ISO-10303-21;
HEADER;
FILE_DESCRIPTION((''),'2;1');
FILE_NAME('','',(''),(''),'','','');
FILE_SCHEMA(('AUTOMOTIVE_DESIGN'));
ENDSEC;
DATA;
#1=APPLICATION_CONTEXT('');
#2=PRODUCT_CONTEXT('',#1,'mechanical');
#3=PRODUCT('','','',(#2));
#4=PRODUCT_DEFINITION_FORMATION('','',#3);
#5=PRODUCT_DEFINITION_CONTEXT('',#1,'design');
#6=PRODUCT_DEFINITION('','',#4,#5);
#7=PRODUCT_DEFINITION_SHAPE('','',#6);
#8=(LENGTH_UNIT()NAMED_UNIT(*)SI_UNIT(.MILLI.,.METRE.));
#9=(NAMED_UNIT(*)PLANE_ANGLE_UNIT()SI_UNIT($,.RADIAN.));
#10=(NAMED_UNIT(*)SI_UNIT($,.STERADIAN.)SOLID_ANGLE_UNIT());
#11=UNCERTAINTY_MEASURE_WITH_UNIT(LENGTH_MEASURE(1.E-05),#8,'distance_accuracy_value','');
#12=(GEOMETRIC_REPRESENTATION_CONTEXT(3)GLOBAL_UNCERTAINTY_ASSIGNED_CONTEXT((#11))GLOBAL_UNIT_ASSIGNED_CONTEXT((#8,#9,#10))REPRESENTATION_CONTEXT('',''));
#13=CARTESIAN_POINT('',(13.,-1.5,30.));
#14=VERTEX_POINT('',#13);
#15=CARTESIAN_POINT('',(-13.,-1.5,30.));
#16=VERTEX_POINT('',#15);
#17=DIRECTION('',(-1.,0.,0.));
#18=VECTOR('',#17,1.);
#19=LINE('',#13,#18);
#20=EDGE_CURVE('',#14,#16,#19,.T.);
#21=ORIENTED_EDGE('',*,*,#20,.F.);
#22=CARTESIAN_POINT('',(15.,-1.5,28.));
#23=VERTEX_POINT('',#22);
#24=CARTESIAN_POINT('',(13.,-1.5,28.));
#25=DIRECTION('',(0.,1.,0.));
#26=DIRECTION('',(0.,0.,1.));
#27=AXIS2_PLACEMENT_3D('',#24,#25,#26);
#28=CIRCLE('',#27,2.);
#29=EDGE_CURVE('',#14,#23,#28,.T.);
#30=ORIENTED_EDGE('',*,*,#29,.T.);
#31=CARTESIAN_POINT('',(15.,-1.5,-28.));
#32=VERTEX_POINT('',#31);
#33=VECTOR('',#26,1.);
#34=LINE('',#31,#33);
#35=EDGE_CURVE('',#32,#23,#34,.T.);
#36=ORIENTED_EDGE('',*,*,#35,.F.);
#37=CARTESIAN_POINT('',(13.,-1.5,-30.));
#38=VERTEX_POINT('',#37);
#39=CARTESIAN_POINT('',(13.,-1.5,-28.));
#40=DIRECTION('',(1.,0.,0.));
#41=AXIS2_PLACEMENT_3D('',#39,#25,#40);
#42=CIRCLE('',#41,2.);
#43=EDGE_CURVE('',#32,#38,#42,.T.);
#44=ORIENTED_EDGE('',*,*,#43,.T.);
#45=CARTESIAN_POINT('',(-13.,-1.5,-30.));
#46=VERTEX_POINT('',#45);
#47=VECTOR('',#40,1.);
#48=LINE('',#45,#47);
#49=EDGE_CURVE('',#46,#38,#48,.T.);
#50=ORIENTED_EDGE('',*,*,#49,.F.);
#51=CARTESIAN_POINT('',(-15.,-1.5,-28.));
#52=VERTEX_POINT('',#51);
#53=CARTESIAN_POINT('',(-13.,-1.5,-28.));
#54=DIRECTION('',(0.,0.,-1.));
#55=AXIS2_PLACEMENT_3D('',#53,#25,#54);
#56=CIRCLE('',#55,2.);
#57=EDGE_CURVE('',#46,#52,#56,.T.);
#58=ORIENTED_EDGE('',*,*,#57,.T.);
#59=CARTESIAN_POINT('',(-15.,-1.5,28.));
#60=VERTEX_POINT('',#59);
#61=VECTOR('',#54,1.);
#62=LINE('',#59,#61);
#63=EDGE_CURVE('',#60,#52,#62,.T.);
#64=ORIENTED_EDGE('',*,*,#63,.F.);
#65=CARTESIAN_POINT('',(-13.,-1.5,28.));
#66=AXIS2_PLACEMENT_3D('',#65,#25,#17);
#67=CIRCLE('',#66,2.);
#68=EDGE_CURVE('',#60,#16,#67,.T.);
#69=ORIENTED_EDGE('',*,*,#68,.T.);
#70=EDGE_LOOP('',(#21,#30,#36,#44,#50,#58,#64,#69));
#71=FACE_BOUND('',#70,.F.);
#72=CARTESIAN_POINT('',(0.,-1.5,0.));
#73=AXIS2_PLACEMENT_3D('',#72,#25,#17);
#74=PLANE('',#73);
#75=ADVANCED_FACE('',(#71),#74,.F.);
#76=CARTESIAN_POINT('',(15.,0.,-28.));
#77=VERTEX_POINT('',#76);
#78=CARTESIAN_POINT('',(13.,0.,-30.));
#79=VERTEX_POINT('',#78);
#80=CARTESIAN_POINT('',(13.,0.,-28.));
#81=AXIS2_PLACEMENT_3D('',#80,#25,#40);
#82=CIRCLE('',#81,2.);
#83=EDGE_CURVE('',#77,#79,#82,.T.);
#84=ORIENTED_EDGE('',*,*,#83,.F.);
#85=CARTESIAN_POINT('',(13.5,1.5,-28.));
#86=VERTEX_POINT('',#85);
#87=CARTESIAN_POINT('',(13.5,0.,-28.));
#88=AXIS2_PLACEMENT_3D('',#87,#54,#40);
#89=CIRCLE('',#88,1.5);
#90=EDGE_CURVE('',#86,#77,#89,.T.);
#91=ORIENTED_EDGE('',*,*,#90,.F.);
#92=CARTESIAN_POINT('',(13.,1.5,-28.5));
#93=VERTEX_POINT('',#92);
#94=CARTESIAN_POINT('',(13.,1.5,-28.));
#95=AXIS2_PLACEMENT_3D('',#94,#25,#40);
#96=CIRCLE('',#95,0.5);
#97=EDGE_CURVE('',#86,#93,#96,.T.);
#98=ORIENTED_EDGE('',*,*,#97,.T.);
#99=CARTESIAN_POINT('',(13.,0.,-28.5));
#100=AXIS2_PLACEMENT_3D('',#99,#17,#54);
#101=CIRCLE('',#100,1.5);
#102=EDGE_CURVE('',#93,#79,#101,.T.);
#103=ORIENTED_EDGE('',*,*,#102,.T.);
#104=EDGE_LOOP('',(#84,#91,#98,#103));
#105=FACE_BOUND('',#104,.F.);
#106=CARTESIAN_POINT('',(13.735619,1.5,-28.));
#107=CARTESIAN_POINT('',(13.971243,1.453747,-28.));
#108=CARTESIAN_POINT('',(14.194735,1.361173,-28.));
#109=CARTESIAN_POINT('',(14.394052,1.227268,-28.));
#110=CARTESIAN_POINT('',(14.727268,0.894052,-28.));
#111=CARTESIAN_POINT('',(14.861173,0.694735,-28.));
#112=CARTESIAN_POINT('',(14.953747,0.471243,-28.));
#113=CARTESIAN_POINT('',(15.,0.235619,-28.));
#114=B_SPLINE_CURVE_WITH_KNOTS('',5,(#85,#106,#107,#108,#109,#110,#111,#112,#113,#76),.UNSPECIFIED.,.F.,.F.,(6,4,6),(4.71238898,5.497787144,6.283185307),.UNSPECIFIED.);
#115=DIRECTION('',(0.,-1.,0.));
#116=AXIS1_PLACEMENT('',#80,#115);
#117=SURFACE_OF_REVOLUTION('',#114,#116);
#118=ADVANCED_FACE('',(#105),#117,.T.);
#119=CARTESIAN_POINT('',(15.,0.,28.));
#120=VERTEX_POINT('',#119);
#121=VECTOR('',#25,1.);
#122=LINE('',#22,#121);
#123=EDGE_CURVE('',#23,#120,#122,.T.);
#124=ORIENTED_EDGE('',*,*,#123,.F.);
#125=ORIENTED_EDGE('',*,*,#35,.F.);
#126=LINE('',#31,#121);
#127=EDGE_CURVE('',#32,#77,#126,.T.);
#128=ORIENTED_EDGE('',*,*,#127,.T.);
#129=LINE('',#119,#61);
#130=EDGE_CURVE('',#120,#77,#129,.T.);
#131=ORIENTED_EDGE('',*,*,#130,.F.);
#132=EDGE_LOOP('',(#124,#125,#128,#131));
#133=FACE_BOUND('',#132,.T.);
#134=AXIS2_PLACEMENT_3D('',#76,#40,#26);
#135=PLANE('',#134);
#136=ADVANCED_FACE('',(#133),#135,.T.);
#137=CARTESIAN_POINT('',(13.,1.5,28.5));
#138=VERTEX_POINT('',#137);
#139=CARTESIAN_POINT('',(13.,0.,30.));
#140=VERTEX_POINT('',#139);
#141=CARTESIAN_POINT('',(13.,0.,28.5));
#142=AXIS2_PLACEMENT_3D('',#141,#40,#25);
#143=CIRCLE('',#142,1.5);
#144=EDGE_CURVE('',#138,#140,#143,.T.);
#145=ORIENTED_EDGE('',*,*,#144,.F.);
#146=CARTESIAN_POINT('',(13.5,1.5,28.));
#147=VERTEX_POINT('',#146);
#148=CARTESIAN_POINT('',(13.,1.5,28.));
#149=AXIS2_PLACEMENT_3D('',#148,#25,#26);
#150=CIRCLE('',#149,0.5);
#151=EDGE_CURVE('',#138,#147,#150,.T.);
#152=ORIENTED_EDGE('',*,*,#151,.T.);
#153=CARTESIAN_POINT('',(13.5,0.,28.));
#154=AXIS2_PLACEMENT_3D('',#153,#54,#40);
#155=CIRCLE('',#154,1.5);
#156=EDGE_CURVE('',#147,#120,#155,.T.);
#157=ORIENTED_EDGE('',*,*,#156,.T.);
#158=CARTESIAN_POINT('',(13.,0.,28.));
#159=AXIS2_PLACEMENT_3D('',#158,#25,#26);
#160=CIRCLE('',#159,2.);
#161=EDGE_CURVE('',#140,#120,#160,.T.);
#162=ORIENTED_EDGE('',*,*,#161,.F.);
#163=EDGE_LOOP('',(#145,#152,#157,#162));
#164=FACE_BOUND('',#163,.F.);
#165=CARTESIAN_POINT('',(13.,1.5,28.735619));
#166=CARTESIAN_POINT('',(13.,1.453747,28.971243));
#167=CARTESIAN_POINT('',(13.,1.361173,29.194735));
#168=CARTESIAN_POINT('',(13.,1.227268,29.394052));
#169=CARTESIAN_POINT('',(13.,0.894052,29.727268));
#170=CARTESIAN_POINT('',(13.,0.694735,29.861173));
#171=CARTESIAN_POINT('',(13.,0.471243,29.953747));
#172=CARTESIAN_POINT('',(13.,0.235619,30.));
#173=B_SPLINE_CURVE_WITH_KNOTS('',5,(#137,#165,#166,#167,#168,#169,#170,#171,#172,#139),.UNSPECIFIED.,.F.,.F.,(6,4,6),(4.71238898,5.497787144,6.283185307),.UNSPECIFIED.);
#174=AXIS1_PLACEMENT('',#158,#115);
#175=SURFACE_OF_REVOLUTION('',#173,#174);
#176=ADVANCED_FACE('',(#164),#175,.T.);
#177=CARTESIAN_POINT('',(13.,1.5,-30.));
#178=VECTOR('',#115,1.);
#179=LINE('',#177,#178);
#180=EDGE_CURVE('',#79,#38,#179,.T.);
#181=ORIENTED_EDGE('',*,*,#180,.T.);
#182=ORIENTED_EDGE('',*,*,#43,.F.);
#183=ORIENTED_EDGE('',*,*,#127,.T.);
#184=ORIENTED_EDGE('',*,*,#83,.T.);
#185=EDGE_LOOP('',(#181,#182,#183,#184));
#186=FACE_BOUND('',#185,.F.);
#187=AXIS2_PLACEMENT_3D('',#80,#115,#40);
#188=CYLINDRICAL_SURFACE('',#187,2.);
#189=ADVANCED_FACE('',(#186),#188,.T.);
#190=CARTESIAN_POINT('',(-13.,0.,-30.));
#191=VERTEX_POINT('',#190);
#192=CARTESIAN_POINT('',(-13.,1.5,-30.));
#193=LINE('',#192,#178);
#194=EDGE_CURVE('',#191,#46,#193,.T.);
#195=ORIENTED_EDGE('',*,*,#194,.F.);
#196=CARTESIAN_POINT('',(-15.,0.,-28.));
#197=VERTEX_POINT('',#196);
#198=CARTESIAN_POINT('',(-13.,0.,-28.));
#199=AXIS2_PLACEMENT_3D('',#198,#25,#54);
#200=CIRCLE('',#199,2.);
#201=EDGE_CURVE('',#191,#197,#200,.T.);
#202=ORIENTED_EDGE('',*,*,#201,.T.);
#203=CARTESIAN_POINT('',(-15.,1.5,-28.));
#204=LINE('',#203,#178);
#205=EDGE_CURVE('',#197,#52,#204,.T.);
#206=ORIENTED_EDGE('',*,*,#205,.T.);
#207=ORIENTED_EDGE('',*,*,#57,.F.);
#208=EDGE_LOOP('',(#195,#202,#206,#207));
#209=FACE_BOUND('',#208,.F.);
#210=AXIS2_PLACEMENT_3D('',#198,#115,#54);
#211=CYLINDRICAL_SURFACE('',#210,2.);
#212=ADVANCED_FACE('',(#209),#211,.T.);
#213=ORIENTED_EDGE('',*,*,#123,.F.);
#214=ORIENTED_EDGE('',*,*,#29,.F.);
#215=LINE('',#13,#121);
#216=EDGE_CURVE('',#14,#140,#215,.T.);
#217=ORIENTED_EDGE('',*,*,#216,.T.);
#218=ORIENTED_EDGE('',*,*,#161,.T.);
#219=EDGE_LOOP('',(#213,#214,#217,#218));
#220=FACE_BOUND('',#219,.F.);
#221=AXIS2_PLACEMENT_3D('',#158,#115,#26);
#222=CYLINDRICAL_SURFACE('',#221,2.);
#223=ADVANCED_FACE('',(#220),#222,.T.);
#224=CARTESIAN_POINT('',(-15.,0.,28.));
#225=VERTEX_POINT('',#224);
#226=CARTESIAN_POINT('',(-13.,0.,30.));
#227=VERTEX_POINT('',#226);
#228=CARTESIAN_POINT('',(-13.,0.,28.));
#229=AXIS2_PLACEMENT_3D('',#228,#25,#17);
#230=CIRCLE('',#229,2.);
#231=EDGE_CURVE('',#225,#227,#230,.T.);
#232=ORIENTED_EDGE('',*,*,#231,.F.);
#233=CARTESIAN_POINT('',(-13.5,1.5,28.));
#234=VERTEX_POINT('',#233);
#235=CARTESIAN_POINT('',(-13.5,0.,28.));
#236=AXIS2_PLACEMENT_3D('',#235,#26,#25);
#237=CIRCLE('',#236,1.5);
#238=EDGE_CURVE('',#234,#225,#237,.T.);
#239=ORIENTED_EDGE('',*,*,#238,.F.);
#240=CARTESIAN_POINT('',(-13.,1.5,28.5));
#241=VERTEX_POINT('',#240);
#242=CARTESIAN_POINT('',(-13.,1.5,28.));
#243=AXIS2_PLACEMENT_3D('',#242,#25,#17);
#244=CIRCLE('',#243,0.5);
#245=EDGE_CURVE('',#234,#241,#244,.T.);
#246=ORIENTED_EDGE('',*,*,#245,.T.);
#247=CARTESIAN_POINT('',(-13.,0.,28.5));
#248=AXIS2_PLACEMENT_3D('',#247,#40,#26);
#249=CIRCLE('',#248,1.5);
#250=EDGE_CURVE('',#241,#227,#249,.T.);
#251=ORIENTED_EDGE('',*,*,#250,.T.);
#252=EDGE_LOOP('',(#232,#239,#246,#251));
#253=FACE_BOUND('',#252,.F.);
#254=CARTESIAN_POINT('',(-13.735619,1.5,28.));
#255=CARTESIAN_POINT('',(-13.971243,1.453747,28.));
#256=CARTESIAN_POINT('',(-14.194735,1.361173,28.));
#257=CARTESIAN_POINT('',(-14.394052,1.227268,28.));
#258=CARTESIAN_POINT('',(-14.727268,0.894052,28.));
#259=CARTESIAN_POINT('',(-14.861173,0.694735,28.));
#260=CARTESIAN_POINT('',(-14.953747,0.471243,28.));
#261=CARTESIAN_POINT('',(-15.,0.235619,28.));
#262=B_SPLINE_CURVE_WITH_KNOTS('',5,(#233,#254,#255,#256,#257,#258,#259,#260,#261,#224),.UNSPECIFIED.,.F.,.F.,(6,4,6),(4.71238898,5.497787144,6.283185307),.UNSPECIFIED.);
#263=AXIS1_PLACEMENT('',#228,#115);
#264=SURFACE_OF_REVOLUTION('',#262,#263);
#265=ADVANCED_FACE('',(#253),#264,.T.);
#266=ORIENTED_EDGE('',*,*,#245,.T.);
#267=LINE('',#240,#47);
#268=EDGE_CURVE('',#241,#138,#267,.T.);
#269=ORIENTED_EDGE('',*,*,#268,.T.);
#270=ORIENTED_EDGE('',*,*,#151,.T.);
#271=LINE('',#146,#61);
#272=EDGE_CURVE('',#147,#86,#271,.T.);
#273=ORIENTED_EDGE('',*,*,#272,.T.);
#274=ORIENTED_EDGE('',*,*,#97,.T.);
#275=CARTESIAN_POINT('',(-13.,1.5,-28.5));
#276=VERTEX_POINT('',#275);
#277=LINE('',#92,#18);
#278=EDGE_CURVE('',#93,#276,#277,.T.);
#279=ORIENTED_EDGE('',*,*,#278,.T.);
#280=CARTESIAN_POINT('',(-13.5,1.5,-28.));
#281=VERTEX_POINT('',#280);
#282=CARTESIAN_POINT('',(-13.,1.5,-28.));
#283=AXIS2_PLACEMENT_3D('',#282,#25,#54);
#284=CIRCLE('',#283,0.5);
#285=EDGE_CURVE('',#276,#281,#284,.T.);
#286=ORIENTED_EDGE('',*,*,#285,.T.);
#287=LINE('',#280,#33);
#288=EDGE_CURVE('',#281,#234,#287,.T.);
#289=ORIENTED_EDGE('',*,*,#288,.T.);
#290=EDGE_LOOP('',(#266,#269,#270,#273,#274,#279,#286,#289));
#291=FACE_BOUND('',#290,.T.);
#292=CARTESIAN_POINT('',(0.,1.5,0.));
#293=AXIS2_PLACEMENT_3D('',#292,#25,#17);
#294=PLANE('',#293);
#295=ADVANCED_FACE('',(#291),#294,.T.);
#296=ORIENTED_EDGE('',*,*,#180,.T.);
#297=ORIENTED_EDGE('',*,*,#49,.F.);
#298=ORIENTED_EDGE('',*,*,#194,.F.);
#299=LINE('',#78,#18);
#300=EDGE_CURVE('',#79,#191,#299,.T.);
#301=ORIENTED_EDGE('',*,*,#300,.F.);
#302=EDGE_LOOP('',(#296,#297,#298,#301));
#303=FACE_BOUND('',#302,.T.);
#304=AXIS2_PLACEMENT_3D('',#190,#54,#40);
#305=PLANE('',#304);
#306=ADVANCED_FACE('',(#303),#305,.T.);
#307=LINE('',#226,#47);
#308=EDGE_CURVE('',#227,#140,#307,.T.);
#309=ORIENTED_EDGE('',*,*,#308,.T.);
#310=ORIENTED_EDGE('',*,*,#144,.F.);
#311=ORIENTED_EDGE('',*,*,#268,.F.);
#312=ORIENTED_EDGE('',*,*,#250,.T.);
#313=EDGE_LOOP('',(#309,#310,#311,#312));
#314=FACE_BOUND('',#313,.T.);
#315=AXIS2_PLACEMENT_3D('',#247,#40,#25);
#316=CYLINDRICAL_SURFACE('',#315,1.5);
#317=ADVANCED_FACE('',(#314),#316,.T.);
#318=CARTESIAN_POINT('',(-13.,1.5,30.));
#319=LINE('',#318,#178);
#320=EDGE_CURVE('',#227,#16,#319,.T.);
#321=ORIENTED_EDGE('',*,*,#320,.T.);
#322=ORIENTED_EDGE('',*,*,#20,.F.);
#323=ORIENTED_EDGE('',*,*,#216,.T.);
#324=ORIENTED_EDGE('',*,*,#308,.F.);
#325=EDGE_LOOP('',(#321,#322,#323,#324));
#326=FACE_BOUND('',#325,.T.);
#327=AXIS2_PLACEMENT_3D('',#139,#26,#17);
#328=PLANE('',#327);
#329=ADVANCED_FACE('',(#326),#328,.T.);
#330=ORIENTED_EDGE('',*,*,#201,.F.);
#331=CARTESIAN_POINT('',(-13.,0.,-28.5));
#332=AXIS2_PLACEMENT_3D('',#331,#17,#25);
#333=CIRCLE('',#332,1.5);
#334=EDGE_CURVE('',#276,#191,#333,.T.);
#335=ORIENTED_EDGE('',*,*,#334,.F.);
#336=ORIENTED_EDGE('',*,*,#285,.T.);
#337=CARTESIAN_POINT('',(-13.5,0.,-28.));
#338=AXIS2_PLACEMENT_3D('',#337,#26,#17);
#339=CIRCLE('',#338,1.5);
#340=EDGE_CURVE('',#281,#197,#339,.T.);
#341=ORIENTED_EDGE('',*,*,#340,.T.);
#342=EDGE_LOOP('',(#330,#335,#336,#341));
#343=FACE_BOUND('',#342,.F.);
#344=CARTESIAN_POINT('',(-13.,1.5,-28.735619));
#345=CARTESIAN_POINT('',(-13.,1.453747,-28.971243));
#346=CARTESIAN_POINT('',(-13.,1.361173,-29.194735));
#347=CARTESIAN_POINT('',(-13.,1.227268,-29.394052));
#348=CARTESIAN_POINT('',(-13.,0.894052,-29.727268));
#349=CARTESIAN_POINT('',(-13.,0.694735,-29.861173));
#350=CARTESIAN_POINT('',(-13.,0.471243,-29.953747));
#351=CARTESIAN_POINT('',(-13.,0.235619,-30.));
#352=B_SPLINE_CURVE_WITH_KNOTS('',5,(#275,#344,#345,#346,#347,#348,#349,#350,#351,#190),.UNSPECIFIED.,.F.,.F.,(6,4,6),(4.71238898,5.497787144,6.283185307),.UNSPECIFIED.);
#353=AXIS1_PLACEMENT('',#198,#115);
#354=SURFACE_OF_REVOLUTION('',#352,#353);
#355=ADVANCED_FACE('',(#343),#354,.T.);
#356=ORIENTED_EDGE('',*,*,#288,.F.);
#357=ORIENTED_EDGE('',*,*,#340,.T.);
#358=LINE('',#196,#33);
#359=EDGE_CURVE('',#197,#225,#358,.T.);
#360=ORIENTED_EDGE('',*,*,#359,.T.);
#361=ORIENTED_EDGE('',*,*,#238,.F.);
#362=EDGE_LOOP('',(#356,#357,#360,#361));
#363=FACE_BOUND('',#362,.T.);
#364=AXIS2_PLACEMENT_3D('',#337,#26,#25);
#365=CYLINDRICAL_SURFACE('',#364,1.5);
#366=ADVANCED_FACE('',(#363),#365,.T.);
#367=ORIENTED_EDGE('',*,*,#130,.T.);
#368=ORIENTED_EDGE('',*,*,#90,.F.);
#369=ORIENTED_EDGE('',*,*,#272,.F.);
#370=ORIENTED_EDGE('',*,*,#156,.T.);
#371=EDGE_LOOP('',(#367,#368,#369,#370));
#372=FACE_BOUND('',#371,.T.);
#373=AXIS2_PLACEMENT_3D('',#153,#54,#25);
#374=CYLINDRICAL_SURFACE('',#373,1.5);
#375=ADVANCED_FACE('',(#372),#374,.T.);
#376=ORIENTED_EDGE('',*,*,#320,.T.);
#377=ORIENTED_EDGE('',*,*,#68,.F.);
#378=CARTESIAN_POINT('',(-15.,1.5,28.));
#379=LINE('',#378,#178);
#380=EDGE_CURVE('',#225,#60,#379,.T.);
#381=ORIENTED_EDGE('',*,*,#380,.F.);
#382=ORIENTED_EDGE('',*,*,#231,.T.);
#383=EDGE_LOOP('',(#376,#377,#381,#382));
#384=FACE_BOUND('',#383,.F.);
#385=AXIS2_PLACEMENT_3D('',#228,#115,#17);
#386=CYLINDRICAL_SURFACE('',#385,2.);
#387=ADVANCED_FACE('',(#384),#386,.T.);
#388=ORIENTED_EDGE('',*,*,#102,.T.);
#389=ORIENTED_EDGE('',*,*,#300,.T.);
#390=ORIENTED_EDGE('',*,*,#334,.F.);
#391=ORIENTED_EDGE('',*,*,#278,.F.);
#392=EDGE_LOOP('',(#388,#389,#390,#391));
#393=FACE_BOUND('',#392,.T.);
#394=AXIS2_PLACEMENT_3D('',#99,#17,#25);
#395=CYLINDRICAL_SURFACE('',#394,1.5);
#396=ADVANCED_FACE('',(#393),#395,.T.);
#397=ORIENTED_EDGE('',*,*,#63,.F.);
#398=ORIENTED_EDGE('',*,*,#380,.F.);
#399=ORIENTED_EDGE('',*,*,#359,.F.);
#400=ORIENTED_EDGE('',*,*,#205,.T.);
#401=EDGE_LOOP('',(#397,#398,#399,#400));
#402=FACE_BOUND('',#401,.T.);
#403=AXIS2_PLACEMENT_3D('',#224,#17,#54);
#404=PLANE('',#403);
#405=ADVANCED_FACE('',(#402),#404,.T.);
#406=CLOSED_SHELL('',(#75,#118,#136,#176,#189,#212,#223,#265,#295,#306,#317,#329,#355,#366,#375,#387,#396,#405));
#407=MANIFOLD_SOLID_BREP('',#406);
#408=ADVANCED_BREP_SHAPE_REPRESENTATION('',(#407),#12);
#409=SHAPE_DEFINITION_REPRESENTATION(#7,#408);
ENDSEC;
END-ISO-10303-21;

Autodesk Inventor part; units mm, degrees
ref_plane "YZ Plane" through (0, 0, 0) normal (1, 0, 0) x (0, 1, 0)
ref_plane "XZ Plane" through (0, 0, 0) normal (0, 1, 0) x (-1, 0, 0)
ref_plane "XY Plane" through (0, 0, 0) normal (0, 0, 1) x (1, 0, 0)
sketch "Sketch1" plane through (0, 0, 0) normal (0, 1, 0) x (-1, 0, 0)
  line L0 (-13, 30) -> (13, 30)
  line L1 (15, 28) -> (15, -28)
  line L2 (13, -30) -> (-13, -30)
  line L3 (-15, -28) -> (-15, 28)
  line L4 (-15, 30) -> (15, -30) construction
  line L5 (15, 30) -> (-15, -30) construction
  arc A0 (15, 28) -> (13, 30) centre (13, 28) ccw
  arc A1 (13, -30) -> (15, -28) centre (13, -28) ccw
  arc A2 (-15, -28) -> (-13, -30) centre (-13, -28) ccw
  arc A3 (-13, 30) -> (-15, 28) centre (-13, 28) ccw
  point P0 (0, 0)
  dimension "d0" = 60
  dimension "d1" = 30
  dimension "d4" = 2
  dimension "d5" = 2
extrude "Extrusion1" add sketch "Sketch1" along normal mid plane 3
fillet "Fillet1" radius 1.5 8 edges at (14.4142, 1.5, -29.4142) (0, 1.5, -30) (-14.4142, 1.5, -29.4142) (-15, 1.5, 0) (-14.4142, 1.5, 29.4142) (0, 1.5, 30) (14.4142, 1.5, 29.4142) (15, 1.5, 0)
properties part number "END CAP 3060"
